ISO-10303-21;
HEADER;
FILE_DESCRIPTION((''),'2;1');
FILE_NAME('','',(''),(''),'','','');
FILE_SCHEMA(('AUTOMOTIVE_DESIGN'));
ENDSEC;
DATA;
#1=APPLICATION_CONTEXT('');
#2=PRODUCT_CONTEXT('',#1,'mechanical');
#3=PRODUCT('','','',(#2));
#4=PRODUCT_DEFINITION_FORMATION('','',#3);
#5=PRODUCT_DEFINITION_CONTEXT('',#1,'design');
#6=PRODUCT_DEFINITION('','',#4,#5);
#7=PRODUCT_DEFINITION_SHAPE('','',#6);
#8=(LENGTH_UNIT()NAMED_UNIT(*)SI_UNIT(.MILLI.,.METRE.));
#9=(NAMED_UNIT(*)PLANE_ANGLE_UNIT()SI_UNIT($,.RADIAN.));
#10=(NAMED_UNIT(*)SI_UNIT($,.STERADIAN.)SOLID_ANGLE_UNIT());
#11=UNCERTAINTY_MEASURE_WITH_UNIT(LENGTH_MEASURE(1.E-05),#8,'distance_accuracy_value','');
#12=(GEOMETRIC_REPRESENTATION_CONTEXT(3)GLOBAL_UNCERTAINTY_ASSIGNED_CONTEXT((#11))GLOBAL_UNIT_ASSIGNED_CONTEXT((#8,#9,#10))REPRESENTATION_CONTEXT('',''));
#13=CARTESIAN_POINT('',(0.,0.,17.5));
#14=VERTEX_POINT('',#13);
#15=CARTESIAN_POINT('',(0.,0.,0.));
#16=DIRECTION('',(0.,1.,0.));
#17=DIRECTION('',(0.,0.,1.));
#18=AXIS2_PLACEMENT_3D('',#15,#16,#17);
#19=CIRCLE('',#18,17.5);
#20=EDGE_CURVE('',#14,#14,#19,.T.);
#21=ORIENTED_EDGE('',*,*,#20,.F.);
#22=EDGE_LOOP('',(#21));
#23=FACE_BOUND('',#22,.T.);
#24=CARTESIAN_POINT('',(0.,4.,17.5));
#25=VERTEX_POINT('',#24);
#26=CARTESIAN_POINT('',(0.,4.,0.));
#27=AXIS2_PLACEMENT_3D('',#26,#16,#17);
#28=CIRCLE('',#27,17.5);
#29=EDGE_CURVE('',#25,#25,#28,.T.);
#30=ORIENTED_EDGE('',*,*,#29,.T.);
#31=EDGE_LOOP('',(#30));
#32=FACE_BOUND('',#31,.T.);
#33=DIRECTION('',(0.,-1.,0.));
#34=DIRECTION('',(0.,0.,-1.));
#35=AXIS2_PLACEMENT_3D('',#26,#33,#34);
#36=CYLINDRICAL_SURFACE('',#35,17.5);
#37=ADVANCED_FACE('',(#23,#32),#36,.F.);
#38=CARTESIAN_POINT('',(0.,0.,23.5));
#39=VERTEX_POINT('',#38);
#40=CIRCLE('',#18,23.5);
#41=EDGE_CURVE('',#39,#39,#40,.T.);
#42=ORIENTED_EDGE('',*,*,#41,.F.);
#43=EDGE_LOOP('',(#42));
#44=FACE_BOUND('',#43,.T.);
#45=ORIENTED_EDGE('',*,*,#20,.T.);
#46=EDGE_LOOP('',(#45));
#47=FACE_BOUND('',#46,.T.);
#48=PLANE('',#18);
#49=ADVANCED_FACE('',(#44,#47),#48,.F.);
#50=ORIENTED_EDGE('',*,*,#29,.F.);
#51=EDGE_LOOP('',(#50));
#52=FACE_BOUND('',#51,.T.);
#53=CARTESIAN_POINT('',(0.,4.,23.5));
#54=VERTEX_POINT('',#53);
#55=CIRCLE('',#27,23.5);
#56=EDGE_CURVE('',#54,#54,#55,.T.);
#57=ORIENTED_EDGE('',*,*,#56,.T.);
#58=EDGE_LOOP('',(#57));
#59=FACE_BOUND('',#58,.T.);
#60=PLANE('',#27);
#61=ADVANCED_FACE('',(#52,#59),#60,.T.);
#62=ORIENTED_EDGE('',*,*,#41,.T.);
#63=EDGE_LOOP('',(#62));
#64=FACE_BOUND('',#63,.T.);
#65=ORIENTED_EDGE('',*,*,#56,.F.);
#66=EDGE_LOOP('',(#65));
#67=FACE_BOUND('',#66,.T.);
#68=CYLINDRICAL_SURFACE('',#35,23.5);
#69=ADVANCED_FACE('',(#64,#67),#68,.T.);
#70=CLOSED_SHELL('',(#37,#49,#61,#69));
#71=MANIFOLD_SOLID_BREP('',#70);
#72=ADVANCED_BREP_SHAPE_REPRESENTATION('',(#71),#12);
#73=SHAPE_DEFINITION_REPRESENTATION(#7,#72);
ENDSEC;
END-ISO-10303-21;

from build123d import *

# Parameters (mm, degrees)
SKETCH_1_R        = 23.5
SKETCH_1_R_2      = 17.5
EXTRUDE_303_DEPTH = 4


with BuildPart() as part:
    # Эскиз1 → Extrude 303 (new body)
    with BuildSketch(Plane(origin=(0, 0, 0), x_dir=(1, 0, 0), z_dir=(0, 1, 0))):
        with Locations(Location((0, 0, 0), (0, 0, 270))):
            Circle(SKETCH_1_R)
        with Locations(Location((0, 0, 0), (0, 0, 270))):
            Circle(SKETCH_1_R_2, mode=Mode.SUBTRACT)
    extrude(amount=EXTRUDE_303_DEPTH)


solid = part.part
